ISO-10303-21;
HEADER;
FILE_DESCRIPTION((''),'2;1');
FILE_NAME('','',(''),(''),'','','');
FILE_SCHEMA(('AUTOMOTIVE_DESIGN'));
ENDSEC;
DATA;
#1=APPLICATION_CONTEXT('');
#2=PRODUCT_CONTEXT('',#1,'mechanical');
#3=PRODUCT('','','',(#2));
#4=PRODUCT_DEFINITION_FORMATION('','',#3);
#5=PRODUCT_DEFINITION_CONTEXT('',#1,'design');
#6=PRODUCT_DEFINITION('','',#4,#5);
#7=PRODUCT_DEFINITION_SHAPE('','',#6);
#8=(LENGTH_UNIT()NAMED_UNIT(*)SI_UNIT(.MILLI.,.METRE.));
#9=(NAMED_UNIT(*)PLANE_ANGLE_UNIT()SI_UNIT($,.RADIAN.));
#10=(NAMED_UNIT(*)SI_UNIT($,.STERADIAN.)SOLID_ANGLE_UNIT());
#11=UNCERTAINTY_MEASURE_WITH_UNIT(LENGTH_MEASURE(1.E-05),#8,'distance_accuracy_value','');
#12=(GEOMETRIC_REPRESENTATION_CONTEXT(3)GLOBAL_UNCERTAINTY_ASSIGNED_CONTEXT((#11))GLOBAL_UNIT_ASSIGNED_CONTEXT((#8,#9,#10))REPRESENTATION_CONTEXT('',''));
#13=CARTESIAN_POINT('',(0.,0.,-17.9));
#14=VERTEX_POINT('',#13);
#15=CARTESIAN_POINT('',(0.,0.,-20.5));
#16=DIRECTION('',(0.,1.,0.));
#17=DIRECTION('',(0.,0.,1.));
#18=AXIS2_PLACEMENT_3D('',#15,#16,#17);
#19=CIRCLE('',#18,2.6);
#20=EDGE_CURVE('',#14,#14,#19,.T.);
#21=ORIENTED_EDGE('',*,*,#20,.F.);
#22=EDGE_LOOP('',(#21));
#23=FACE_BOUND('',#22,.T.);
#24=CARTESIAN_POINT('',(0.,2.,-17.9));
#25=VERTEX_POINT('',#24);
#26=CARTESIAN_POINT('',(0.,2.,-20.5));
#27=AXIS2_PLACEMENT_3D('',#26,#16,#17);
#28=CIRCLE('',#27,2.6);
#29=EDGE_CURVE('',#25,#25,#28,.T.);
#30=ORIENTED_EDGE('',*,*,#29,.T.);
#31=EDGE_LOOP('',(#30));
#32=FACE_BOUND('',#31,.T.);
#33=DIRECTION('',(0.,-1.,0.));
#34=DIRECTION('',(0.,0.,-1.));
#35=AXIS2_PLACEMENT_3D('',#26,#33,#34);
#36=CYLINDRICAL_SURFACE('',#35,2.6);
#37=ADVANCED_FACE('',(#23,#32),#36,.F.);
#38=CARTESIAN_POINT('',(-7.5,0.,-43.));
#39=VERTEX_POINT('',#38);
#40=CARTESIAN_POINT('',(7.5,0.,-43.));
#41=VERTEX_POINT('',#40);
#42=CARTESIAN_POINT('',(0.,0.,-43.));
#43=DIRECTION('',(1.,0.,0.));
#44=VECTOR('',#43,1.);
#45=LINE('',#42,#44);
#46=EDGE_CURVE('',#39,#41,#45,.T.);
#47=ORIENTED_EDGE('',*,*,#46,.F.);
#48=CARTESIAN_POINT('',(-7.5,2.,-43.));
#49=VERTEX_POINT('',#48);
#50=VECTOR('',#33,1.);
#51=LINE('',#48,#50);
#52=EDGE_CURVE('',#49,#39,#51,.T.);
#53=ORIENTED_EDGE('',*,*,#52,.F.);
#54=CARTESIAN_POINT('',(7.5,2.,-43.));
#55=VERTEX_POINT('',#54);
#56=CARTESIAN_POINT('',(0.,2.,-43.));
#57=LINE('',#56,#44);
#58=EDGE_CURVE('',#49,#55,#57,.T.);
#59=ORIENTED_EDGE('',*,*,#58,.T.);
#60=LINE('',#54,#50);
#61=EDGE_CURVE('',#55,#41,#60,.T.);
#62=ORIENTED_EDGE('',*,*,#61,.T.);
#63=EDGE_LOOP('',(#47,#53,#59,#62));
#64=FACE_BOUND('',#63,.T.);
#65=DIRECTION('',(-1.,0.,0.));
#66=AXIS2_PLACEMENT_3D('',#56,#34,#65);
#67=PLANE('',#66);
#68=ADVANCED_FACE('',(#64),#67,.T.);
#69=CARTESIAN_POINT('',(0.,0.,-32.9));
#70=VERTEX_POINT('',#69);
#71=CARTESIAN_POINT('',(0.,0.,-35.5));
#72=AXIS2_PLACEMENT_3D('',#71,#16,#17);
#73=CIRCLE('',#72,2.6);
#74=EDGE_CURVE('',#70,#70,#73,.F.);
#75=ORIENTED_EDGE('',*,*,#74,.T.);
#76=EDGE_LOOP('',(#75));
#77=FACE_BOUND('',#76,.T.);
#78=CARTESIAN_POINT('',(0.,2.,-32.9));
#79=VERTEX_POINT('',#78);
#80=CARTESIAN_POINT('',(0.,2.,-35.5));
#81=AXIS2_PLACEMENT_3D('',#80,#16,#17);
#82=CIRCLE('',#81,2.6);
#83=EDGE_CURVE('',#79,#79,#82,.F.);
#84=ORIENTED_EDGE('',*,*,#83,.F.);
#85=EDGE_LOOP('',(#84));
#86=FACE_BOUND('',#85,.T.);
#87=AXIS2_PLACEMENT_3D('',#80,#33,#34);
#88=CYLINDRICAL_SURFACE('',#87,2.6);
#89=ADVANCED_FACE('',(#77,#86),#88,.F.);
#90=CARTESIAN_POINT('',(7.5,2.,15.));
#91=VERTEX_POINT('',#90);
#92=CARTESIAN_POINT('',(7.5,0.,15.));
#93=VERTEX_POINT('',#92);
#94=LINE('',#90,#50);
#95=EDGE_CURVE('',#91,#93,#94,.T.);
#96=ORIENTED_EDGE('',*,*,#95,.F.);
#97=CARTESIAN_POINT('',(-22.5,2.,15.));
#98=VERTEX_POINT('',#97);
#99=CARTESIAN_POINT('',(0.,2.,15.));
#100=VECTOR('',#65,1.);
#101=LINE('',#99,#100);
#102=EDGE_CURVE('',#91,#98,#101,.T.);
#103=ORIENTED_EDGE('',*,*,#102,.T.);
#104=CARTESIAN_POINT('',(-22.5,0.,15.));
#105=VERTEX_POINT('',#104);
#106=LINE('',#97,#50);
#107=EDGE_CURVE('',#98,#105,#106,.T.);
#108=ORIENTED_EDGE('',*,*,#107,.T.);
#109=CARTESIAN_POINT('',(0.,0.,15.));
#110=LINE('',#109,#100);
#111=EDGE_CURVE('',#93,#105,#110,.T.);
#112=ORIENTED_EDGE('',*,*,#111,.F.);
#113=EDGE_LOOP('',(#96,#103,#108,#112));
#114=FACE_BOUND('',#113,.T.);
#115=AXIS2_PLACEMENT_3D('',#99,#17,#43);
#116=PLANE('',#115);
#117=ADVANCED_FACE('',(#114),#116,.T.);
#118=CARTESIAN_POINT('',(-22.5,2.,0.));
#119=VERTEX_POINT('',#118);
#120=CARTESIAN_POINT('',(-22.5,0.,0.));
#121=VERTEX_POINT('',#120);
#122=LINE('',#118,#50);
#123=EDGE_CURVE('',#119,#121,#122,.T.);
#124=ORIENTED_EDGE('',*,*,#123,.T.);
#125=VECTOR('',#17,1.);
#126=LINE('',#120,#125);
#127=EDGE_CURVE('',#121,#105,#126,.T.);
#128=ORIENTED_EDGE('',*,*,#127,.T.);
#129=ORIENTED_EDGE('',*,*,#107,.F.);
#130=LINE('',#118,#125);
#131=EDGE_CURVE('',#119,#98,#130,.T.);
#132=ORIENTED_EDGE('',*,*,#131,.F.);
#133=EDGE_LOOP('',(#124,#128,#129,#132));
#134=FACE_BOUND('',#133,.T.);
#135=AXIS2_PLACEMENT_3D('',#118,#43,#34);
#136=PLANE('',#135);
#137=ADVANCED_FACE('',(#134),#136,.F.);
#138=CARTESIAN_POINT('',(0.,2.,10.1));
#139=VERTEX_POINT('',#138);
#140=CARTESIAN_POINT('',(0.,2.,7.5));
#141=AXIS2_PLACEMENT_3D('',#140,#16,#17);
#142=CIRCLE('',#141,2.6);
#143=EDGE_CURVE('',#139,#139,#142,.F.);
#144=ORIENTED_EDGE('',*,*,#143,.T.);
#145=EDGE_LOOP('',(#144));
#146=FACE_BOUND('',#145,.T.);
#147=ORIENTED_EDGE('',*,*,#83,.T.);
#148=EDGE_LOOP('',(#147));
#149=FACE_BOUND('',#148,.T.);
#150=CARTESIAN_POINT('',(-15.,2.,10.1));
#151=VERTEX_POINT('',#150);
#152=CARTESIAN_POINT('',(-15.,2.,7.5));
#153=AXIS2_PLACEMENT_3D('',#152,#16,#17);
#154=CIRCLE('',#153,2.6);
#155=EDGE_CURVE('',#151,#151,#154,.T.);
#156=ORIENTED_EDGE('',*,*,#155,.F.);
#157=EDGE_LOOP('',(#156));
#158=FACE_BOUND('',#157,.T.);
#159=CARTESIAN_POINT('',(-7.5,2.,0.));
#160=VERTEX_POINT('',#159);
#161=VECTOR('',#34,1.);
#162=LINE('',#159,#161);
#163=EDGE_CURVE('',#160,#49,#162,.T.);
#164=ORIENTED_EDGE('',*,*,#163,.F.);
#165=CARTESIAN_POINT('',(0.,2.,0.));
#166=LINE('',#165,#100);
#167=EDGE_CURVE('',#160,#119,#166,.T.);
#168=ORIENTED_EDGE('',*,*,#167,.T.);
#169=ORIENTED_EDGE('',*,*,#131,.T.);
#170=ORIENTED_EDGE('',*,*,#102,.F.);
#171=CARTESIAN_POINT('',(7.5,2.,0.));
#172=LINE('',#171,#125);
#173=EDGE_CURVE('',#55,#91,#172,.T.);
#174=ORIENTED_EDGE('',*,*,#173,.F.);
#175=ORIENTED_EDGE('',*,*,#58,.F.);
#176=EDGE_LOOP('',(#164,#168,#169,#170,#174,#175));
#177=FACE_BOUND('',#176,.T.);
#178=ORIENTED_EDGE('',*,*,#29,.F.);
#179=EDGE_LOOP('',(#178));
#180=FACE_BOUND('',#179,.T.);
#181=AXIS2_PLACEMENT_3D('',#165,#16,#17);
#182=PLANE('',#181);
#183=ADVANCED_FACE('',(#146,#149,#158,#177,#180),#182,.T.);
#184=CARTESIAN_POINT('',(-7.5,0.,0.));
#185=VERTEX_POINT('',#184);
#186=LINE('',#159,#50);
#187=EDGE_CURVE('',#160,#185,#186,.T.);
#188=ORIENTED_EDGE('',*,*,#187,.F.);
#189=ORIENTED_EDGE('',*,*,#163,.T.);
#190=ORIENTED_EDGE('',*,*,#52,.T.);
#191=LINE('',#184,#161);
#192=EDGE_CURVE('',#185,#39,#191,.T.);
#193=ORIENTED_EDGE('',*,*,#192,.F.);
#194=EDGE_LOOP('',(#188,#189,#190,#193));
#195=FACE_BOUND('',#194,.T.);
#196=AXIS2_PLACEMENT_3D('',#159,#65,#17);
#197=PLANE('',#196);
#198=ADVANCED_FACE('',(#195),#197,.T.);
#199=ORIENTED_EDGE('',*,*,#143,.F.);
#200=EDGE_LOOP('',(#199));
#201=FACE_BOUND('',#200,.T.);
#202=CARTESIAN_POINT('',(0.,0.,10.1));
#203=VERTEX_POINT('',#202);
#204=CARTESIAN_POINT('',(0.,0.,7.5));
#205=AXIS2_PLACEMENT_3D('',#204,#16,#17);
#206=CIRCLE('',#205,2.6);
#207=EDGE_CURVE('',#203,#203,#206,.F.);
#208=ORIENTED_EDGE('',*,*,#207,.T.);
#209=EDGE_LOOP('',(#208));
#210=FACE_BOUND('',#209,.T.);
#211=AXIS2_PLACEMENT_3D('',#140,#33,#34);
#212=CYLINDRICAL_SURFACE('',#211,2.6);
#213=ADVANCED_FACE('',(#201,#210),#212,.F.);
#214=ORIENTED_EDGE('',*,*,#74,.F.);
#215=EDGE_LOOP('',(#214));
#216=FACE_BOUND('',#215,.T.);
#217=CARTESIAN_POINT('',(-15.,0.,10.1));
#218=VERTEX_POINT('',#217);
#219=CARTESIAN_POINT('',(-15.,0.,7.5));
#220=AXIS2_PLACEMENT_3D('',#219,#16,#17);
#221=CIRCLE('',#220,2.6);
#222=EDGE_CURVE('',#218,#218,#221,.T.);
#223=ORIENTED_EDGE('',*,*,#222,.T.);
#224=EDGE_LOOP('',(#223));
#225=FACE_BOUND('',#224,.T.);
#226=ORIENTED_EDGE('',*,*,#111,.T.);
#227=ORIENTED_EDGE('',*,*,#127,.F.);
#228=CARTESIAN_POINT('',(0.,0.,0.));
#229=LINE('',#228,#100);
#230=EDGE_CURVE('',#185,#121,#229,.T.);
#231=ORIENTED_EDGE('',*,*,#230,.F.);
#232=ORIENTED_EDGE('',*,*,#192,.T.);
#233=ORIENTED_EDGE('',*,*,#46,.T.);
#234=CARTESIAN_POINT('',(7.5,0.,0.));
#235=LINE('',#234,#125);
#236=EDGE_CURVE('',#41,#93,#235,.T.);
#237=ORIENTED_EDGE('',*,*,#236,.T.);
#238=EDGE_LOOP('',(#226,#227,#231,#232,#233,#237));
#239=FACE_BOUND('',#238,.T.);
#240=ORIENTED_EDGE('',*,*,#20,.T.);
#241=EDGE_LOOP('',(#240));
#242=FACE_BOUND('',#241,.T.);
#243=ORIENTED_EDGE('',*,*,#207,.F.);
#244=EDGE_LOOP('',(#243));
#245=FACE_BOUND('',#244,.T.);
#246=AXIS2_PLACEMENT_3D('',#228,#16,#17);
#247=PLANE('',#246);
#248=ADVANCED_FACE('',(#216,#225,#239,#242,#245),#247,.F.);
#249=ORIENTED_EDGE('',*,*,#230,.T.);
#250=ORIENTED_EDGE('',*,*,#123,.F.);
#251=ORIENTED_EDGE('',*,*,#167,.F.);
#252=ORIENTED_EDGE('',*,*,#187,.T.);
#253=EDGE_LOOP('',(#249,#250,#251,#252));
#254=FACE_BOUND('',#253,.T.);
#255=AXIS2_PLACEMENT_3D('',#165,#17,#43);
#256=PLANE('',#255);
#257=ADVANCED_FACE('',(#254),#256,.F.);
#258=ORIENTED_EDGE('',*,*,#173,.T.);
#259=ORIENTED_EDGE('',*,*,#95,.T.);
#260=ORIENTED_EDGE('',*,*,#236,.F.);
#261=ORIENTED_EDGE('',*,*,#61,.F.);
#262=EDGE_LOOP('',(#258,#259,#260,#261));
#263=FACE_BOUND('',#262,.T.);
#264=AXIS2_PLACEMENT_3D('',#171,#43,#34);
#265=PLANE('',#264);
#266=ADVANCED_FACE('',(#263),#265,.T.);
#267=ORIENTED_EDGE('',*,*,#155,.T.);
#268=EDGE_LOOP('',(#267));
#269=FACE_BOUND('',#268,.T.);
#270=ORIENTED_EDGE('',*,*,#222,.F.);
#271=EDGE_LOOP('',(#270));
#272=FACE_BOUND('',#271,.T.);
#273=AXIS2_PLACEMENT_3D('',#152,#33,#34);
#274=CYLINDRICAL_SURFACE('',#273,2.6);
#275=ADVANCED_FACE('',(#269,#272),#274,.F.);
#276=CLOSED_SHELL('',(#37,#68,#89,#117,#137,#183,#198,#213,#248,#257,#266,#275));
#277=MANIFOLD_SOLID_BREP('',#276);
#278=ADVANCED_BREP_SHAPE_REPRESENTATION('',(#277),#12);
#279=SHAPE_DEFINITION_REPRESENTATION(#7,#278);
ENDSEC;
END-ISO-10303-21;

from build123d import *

# Parameters (mm, degrees)
SKETCH_1_R      = 2.6
SKETCH_1_W      = 15
SKETCH_1_H      = 15
EXTRUDE_1_DEPTH = 2


with BuildPart() as part:
    # 草图1 → 凸台-拉伸1 (new body)
    # profile 1 of 2: a face of its own
    with BuildSketch(Plane(origin=(0, 0, 0), x_dir=(1, 0, 0), z_dir=(0, 1, 0))):
        Polygon((7.5, -15), (7.5, 0), (7.5, 13), (7.5, 28), (-7.5, 28), (-7.5, 13), (-7.5, 0), (-22.5, 0), (-22.5, -15), align=None)
        with Locations(Location((-15, -7.5, 0), (0, 0, 270))):
            Circle(SKETCH_1_R, mode=Mode.SUBTRACT)
        with Locations(Location((0, -7.5, 0), (0, 0, 270))):
            Circle(SKETCH_1_R, mode=Mode.SUBTRACT)
        with Locations(Location((0, 20.5, 0), (0, 0, 270))):
            Circle(SKETCH_1_R, mode=Mode.SUBTRACT)
    # profile 2 of 2: a face of its own
    with BuildSketch(Plane(origin=(0, 0, 0), x_dir=(1, 0, 0), z_dir=(0, 1, 0))):
        with Locations((0, 35.5)):
            Rectangle(SKETCH_1_W, SKETCH_1_H)
        with Locations(Location((0, 35.5, 0), (0, 0, 270))):
            Circle(SKETCH_1_R, mode=Mode.SUBTRACT)
    extrude(amount=EXTRUDE_1_DEPTH)


solid = part.part
